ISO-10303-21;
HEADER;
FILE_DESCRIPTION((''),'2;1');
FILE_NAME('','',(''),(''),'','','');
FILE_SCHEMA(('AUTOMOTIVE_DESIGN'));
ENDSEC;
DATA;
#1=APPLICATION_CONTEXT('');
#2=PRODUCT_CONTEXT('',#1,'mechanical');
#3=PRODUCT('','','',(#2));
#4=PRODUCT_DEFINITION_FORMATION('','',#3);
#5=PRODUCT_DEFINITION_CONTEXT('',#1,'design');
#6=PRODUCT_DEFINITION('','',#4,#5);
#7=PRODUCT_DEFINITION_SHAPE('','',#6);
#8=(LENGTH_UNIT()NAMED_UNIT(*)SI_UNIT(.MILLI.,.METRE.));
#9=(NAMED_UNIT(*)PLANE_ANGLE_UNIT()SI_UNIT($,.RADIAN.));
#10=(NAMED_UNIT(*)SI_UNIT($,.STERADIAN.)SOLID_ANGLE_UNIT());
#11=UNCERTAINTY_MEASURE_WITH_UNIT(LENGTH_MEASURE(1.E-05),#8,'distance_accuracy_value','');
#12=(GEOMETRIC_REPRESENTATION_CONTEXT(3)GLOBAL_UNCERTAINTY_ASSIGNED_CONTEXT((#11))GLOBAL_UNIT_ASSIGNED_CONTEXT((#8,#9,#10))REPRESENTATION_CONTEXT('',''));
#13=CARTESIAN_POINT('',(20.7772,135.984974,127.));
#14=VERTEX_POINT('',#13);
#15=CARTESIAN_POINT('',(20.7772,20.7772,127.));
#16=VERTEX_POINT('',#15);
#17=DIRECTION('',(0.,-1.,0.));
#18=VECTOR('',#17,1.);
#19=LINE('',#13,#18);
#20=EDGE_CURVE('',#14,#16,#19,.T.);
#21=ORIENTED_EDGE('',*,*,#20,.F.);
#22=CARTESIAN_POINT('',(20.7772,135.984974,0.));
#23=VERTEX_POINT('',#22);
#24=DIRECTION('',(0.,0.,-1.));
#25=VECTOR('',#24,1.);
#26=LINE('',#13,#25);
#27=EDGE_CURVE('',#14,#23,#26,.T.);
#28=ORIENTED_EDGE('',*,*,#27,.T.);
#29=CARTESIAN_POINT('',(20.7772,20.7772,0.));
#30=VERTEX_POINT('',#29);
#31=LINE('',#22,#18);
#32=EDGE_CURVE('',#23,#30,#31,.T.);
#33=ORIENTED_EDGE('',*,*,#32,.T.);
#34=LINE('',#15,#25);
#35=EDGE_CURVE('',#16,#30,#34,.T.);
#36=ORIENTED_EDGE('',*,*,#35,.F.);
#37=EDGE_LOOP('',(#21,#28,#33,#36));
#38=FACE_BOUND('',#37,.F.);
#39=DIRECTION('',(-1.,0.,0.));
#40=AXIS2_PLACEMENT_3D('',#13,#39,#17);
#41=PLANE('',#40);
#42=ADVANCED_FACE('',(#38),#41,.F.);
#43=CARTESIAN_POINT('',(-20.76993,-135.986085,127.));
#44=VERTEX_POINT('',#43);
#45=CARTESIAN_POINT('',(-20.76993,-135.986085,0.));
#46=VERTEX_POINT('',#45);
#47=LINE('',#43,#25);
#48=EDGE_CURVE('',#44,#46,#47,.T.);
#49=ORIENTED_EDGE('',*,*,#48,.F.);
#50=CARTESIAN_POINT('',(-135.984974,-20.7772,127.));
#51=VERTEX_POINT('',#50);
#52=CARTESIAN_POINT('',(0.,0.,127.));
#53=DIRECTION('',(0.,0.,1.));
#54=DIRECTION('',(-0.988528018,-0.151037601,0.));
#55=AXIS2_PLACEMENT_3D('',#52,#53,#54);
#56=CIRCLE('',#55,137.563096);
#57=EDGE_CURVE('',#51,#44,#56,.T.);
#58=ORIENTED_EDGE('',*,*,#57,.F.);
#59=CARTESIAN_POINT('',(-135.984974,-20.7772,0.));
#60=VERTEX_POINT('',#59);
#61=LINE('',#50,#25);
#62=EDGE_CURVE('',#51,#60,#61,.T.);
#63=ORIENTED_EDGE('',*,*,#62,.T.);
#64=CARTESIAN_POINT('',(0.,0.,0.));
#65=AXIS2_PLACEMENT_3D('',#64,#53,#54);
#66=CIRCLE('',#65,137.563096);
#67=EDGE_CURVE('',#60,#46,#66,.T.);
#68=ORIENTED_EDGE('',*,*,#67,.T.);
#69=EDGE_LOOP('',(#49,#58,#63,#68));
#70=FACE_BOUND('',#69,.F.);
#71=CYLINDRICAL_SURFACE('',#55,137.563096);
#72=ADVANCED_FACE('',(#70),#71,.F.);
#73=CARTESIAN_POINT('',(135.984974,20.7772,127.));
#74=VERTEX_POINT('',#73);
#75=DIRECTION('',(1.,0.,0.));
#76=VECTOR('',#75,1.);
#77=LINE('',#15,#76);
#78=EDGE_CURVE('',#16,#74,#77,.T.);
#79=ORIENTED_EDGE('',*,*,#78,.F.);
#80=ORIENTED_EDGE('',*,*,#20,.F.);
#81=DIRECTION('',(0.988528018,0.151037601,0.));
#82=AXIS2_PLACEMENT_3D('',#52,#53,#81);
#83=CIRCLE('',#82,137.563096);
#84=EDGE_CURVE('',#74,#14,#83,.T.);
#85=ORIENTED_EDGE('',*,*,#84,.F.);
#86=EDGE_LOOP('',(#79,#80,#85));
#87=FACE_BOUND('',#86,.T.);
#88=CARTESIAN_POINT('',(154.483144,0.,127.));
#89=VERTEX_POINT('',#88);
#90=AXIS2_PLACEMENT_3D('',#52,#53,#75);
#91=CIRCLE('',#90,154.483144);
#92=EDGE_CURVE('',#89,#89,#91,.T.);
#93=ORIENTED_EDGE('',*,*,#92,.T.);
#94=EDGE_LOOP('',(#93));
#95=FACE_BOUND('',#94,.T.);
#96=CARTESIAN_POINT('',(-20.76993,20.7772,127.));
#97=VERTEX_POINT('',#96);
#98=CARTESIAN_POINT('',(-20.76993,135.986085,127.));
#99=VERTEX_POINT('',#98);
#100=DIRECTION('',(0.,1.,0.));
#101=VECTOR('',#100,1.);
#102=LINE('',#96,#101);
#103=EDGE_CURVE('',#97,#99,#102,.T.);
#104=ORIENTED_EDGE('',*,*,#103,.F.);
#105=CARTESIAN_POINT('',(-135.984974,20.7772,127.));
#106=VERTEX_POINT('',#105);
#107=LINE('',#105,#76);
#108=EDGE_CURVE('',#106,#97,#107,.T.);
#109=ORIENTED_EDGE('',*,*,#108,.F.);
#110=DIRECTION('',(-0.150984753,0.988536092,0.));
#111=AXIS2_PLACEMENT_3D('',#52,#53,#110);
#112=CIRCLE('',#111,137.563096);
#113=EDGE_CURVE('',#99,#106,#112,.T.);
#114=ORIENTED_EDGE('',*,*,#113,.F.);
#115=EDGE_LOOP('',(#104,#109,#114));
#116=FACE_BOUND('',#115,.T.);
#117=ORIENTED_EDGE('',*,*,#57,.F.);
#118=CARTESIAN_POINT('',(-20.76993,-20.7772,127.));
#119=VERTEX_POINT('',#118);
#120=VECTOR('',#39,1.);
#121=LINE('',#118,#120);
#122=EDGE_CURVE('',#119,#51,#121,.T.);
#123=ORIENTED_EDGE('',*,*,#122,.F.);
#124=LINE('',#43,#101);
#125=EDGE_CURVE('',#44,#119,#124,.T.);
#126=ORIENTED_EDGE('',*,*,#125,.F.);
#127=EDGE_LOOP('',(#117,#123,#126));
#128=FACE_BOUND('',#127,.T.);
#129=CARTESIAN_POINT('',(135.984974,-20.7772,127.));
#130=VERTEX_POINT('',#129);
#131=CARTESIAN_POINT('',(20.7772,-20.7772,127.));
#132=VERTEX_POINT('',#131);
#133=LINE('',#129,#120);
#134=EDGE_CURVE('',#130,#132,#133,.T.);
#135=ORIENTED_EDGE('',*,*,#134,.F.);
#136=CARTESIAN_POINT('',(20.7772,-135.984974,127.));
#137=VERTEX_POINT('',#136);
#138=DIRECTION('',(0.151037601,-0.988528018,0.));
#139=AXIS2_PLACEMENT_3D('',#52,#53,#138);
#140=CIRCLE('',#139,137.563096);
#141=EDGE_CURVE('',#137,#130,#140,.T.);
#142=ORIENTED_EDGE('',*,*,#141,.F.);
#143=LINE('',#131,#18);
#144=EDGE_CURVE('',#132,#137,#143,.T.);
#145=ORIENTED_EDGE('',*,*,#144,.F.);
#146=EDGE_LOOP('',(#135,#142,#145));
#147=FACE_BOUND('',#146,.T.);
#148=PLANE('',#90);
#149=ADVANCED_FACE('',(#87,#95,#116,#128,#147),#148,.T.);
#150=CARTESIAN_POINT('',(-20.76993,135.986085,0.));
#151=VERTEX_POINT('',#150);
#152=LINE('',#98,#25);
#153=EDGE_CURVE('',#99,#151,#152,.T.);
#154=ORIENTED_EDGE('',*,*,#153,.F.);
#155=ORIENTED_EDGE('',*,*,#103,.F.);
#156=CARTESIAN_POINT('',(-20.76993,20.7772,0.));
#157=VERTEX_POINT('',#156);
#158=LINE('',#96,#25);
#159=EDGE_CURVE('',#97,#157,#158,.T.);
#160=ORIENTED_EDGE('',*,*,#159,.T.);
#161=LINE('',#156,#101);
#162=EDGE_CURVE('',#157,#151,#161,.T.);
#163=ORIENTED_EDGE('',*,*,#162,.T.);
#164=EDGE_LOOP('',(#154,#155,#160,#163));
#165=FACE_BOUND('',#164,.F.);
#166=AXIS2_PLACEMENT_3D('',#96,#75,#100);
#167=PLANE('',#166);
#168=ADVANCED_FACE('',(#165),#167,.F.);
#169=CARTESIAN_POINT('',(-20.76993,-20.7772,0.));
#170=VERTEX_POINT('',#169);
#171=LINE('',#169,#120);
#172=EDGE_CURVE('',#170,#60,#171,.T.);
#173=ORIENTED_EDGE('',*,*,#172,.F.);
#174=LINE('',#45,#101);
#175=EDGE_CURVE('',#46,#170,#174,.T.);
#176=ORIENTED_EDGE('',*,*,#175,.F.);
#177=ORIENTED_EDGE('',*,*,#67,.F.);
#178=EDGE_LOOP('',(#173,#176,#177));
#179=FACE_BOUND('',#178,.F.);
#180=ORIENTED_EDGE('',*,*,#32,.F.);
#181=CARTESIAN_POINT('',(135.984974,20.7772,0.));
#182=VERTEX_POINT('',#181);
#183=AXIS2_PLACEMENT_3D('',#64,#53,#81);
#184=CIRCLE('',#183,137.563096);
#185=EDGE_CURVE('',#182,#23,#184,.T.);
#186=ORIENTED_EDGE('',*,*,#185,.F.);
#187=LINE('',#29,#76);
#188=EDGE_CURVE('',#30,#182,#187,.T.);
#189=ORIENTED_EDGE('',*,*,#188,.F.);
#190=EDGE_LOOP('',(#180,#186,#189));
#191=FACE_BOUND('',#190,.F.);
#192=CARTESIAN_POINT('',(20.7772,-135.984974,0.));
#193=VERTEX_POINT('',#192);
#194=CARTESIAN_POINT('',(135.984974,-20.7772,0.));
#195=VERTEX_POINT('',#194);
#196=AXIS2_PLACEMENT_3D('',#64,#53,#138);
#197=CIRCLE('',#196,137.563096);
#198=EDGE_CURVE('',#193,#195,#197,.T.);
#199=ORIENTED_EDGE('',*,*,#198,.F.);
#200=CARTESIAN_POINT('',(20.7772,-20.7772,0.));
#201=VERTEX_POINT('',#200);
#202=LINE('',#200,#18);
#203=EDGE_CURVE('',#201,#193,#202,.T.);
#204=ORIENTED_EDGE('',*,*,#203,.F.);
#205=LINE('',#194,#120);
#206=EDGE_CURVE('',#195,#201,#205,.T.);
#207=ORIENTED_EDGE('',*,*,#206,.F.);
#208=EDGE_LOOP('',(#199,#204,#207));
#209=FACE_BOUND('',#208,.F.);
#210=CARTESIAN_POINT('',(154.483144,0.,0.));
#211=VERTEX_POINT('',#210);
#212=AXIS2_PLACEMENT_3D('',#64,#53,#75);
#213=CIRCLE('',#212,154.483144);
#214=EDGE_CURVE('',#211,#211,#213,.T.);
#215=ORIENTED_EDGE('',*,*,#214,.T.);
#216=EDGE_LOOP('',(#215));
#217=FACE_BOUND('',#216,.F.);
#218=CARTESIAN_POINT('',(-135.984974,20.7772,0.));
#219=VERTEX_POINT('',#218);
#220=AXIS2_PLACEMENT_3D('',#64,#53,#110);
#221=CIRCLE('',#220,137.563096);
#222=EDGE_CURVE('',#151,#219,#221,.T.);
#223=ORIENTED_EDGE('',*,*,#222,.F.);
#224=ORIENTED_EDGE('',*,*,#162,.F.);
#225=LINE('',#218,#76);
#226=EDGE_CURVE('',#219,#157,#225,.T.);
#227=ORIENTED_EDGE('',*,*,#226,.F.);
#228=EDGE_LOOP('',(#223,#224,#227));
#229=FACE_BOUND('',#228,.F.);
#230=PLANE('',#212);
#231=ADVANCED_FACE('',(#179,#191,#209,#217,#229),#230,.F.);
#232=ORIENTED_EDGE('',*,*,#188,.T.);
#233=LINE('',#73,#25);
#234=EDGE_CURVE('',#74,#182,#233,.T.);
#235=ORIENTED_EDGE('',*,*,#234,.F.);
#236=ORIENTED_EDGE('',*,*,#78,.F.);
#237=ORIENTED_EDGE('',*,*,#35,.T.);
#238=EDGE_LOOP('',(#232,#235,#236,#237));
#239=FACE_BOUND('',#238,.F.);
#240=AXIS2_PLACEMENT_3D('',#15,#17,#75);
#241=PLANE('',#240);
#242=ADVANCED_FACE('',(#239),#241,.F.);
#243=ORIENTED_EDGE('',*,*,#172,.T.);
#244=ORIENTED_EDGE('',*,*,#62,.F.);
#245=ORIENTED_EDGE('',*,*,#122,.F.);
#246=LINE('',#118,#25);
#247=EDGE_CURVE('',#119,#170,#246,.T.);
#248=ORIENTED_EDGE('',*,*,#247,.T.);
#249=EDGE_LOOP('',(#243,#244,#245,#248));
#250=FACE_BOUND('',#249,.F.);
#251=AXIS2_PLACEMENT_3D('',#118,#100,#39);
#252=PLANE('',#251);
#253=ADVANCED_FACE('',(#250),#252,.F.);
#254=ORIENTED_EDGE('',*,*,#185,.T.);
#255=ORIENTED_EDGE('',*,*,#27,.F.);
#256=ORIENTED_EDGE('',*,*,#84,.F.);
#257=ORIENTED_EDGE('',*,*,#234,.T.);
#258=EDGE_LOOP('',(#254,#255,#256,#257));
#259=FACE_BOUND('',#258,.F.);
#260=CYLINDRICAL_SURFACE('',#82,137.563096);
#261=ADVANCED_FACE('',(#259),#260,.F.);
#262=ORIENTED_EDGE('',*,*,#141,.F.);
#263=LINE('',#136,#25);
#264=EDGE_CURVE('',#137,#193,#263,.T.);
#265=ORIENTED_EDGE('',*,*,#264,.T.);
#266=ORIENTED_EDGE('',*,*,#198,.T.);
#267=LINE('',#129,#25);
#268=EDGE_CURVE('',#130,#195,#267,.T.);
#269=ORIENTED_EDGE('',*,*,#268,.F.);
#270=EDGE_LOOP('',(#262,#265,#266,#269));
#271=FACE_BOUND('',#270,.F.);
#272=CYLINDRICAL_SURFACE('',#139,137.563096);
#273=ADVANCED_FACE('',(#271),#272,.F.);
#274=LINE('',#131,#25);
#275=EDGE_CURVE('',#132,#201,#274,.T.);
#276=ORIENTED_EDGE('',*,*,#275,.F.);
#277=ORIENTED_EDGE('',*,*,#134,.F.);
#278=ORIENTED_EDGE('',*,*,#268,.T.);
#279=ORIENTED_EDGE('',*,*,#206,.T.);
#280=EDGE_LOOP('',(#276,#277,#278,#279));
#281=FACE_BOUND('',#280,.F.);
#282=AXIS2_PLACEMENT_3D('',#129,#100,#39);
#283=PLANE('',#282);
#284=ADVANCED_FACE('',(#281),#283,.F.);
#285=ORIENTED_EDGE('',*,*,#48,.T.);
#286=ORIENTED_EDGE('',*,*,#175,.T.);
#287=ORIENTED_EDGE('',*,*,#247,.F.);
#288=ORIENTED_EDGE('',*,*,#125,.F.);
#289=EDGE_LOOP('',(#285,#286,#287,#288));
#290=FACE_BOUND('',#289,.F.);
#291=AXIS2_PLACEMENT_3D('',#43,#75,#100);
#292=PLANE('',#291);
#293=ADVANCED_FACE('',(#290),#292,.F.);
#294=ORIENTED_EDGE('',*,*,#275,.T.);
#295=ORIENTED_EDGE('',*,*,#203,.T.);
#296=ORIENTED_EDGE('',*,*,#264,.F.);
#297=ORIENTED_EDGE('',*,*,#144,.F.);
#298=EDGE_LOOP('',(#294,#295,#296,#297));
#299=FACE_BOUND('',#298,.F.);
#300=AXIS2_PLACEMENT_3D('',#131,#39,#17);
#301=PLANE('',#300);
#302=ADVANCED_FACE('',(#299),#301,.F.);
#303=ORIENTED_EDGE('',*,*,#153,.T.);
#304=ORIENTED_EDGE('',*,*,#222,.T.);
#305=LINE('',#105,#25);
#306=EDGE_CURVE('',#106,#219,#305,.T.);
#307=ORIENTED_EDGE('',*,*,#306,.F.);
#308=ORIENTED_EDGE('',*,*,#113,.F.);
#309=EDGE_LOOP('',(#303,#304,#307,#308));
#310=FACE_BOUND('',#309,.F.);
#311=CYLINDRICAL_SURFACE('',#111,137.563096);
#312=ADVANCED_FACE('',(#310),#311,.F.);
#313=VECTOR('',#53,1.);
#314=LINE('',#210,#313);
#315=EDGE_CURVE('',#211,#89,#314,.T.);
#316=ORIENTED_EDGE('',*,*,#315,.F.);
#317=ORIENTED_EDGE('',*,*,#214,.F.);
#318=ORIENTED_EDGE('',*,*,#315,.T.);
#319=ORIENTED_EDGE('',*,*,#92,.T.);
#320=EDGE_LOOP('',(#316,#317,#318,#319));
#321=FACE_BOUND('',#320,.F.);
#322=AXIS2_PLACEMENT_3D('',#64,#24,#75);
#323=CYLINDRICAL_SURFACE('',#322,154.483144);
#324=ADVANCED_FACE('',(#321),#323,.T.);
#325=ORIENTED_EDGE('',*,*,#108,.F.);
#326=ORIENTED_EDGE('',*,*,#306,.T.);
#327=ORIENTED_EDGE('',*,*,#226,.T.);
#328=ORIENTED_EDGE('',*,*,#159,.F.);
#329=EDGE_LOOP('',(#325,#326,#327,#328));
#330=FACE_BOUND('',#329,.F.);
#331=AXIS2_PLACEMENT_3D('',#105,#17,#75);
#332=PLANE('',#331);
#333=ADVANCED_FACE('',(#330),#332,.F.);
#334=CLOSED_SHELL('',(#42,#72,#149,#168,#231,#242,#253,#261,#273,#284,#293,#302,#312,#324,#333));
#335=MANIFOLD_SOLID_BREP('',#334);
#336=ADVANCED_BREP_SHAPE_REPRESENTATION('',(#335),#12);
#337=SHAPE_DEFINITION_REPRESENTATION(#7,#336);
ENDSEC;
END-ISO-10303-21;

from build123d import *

# Parameters (mm, degrees)
F0_R     = 154.4831439064
F1_DEPTH = 127
F3_DEPTH = 127


with BuildPart() as f1:
    # F0 (on Top) → F1 (new body)
    with BuildSketch(Plane.XY):
        Circle(F0_R)
    extrude(amount=F1_DEPTH)

    # F2 (on face) → F3 (cut)
    with BuildSketch(Plane.XY.offset(127)):
        with BuildLine():
            Line((-20.7699300855, 20.7772), (-20.7699300855, 135.9860849065))
            ThreePointArc((-20.7699300855, 135.9860849065), (-97.2691976172, 97.2743978591), (-135.9849743321, 20.7772))
            Line((-135.9849743321, 20.7772), (-20.7699300855, 20.7772))
        make_face()
        with BuildLine():
            Line((20.7772, 20.7772), (135.9849743321, 20.7772))
            ThreePointArc((135.9849743321, 20.7772), (97.2717977729, 97.2717977729), (20.7772, 135.9849743321))
            Line((20.7772, 135.9849743321), (20.7772, 20.7772))
        make_face()
        with BuildLine():
            ThreePointArc((20.7772, -135.9849743321), (97.2717977729, -97.2717977729), (135.9849743321, -20.7772))
            Line((135.9849743321, -20.7772), (20.7772, -20.7772))
            Line((20.7772, -20.7772), (20.7772, -135.9849743321))
        make_face()
        with BuildLine():
            ThreePointArc((-135.9849743321, -20.7772), (-97.2691976172, -97.2743978591), (-20.7699300855, -135.9860849065))
            Line((-20.7699300855, -135.9860849065), (-20.7699300855, -20.7772))
            Line((-20.7699300855, -20.7772), (-135.9849743321, -20.7772))
        make_face()
    extrude(amount=-F3_DEPTH, mode=Mode.SUBTRACT)


solid = f1.part
